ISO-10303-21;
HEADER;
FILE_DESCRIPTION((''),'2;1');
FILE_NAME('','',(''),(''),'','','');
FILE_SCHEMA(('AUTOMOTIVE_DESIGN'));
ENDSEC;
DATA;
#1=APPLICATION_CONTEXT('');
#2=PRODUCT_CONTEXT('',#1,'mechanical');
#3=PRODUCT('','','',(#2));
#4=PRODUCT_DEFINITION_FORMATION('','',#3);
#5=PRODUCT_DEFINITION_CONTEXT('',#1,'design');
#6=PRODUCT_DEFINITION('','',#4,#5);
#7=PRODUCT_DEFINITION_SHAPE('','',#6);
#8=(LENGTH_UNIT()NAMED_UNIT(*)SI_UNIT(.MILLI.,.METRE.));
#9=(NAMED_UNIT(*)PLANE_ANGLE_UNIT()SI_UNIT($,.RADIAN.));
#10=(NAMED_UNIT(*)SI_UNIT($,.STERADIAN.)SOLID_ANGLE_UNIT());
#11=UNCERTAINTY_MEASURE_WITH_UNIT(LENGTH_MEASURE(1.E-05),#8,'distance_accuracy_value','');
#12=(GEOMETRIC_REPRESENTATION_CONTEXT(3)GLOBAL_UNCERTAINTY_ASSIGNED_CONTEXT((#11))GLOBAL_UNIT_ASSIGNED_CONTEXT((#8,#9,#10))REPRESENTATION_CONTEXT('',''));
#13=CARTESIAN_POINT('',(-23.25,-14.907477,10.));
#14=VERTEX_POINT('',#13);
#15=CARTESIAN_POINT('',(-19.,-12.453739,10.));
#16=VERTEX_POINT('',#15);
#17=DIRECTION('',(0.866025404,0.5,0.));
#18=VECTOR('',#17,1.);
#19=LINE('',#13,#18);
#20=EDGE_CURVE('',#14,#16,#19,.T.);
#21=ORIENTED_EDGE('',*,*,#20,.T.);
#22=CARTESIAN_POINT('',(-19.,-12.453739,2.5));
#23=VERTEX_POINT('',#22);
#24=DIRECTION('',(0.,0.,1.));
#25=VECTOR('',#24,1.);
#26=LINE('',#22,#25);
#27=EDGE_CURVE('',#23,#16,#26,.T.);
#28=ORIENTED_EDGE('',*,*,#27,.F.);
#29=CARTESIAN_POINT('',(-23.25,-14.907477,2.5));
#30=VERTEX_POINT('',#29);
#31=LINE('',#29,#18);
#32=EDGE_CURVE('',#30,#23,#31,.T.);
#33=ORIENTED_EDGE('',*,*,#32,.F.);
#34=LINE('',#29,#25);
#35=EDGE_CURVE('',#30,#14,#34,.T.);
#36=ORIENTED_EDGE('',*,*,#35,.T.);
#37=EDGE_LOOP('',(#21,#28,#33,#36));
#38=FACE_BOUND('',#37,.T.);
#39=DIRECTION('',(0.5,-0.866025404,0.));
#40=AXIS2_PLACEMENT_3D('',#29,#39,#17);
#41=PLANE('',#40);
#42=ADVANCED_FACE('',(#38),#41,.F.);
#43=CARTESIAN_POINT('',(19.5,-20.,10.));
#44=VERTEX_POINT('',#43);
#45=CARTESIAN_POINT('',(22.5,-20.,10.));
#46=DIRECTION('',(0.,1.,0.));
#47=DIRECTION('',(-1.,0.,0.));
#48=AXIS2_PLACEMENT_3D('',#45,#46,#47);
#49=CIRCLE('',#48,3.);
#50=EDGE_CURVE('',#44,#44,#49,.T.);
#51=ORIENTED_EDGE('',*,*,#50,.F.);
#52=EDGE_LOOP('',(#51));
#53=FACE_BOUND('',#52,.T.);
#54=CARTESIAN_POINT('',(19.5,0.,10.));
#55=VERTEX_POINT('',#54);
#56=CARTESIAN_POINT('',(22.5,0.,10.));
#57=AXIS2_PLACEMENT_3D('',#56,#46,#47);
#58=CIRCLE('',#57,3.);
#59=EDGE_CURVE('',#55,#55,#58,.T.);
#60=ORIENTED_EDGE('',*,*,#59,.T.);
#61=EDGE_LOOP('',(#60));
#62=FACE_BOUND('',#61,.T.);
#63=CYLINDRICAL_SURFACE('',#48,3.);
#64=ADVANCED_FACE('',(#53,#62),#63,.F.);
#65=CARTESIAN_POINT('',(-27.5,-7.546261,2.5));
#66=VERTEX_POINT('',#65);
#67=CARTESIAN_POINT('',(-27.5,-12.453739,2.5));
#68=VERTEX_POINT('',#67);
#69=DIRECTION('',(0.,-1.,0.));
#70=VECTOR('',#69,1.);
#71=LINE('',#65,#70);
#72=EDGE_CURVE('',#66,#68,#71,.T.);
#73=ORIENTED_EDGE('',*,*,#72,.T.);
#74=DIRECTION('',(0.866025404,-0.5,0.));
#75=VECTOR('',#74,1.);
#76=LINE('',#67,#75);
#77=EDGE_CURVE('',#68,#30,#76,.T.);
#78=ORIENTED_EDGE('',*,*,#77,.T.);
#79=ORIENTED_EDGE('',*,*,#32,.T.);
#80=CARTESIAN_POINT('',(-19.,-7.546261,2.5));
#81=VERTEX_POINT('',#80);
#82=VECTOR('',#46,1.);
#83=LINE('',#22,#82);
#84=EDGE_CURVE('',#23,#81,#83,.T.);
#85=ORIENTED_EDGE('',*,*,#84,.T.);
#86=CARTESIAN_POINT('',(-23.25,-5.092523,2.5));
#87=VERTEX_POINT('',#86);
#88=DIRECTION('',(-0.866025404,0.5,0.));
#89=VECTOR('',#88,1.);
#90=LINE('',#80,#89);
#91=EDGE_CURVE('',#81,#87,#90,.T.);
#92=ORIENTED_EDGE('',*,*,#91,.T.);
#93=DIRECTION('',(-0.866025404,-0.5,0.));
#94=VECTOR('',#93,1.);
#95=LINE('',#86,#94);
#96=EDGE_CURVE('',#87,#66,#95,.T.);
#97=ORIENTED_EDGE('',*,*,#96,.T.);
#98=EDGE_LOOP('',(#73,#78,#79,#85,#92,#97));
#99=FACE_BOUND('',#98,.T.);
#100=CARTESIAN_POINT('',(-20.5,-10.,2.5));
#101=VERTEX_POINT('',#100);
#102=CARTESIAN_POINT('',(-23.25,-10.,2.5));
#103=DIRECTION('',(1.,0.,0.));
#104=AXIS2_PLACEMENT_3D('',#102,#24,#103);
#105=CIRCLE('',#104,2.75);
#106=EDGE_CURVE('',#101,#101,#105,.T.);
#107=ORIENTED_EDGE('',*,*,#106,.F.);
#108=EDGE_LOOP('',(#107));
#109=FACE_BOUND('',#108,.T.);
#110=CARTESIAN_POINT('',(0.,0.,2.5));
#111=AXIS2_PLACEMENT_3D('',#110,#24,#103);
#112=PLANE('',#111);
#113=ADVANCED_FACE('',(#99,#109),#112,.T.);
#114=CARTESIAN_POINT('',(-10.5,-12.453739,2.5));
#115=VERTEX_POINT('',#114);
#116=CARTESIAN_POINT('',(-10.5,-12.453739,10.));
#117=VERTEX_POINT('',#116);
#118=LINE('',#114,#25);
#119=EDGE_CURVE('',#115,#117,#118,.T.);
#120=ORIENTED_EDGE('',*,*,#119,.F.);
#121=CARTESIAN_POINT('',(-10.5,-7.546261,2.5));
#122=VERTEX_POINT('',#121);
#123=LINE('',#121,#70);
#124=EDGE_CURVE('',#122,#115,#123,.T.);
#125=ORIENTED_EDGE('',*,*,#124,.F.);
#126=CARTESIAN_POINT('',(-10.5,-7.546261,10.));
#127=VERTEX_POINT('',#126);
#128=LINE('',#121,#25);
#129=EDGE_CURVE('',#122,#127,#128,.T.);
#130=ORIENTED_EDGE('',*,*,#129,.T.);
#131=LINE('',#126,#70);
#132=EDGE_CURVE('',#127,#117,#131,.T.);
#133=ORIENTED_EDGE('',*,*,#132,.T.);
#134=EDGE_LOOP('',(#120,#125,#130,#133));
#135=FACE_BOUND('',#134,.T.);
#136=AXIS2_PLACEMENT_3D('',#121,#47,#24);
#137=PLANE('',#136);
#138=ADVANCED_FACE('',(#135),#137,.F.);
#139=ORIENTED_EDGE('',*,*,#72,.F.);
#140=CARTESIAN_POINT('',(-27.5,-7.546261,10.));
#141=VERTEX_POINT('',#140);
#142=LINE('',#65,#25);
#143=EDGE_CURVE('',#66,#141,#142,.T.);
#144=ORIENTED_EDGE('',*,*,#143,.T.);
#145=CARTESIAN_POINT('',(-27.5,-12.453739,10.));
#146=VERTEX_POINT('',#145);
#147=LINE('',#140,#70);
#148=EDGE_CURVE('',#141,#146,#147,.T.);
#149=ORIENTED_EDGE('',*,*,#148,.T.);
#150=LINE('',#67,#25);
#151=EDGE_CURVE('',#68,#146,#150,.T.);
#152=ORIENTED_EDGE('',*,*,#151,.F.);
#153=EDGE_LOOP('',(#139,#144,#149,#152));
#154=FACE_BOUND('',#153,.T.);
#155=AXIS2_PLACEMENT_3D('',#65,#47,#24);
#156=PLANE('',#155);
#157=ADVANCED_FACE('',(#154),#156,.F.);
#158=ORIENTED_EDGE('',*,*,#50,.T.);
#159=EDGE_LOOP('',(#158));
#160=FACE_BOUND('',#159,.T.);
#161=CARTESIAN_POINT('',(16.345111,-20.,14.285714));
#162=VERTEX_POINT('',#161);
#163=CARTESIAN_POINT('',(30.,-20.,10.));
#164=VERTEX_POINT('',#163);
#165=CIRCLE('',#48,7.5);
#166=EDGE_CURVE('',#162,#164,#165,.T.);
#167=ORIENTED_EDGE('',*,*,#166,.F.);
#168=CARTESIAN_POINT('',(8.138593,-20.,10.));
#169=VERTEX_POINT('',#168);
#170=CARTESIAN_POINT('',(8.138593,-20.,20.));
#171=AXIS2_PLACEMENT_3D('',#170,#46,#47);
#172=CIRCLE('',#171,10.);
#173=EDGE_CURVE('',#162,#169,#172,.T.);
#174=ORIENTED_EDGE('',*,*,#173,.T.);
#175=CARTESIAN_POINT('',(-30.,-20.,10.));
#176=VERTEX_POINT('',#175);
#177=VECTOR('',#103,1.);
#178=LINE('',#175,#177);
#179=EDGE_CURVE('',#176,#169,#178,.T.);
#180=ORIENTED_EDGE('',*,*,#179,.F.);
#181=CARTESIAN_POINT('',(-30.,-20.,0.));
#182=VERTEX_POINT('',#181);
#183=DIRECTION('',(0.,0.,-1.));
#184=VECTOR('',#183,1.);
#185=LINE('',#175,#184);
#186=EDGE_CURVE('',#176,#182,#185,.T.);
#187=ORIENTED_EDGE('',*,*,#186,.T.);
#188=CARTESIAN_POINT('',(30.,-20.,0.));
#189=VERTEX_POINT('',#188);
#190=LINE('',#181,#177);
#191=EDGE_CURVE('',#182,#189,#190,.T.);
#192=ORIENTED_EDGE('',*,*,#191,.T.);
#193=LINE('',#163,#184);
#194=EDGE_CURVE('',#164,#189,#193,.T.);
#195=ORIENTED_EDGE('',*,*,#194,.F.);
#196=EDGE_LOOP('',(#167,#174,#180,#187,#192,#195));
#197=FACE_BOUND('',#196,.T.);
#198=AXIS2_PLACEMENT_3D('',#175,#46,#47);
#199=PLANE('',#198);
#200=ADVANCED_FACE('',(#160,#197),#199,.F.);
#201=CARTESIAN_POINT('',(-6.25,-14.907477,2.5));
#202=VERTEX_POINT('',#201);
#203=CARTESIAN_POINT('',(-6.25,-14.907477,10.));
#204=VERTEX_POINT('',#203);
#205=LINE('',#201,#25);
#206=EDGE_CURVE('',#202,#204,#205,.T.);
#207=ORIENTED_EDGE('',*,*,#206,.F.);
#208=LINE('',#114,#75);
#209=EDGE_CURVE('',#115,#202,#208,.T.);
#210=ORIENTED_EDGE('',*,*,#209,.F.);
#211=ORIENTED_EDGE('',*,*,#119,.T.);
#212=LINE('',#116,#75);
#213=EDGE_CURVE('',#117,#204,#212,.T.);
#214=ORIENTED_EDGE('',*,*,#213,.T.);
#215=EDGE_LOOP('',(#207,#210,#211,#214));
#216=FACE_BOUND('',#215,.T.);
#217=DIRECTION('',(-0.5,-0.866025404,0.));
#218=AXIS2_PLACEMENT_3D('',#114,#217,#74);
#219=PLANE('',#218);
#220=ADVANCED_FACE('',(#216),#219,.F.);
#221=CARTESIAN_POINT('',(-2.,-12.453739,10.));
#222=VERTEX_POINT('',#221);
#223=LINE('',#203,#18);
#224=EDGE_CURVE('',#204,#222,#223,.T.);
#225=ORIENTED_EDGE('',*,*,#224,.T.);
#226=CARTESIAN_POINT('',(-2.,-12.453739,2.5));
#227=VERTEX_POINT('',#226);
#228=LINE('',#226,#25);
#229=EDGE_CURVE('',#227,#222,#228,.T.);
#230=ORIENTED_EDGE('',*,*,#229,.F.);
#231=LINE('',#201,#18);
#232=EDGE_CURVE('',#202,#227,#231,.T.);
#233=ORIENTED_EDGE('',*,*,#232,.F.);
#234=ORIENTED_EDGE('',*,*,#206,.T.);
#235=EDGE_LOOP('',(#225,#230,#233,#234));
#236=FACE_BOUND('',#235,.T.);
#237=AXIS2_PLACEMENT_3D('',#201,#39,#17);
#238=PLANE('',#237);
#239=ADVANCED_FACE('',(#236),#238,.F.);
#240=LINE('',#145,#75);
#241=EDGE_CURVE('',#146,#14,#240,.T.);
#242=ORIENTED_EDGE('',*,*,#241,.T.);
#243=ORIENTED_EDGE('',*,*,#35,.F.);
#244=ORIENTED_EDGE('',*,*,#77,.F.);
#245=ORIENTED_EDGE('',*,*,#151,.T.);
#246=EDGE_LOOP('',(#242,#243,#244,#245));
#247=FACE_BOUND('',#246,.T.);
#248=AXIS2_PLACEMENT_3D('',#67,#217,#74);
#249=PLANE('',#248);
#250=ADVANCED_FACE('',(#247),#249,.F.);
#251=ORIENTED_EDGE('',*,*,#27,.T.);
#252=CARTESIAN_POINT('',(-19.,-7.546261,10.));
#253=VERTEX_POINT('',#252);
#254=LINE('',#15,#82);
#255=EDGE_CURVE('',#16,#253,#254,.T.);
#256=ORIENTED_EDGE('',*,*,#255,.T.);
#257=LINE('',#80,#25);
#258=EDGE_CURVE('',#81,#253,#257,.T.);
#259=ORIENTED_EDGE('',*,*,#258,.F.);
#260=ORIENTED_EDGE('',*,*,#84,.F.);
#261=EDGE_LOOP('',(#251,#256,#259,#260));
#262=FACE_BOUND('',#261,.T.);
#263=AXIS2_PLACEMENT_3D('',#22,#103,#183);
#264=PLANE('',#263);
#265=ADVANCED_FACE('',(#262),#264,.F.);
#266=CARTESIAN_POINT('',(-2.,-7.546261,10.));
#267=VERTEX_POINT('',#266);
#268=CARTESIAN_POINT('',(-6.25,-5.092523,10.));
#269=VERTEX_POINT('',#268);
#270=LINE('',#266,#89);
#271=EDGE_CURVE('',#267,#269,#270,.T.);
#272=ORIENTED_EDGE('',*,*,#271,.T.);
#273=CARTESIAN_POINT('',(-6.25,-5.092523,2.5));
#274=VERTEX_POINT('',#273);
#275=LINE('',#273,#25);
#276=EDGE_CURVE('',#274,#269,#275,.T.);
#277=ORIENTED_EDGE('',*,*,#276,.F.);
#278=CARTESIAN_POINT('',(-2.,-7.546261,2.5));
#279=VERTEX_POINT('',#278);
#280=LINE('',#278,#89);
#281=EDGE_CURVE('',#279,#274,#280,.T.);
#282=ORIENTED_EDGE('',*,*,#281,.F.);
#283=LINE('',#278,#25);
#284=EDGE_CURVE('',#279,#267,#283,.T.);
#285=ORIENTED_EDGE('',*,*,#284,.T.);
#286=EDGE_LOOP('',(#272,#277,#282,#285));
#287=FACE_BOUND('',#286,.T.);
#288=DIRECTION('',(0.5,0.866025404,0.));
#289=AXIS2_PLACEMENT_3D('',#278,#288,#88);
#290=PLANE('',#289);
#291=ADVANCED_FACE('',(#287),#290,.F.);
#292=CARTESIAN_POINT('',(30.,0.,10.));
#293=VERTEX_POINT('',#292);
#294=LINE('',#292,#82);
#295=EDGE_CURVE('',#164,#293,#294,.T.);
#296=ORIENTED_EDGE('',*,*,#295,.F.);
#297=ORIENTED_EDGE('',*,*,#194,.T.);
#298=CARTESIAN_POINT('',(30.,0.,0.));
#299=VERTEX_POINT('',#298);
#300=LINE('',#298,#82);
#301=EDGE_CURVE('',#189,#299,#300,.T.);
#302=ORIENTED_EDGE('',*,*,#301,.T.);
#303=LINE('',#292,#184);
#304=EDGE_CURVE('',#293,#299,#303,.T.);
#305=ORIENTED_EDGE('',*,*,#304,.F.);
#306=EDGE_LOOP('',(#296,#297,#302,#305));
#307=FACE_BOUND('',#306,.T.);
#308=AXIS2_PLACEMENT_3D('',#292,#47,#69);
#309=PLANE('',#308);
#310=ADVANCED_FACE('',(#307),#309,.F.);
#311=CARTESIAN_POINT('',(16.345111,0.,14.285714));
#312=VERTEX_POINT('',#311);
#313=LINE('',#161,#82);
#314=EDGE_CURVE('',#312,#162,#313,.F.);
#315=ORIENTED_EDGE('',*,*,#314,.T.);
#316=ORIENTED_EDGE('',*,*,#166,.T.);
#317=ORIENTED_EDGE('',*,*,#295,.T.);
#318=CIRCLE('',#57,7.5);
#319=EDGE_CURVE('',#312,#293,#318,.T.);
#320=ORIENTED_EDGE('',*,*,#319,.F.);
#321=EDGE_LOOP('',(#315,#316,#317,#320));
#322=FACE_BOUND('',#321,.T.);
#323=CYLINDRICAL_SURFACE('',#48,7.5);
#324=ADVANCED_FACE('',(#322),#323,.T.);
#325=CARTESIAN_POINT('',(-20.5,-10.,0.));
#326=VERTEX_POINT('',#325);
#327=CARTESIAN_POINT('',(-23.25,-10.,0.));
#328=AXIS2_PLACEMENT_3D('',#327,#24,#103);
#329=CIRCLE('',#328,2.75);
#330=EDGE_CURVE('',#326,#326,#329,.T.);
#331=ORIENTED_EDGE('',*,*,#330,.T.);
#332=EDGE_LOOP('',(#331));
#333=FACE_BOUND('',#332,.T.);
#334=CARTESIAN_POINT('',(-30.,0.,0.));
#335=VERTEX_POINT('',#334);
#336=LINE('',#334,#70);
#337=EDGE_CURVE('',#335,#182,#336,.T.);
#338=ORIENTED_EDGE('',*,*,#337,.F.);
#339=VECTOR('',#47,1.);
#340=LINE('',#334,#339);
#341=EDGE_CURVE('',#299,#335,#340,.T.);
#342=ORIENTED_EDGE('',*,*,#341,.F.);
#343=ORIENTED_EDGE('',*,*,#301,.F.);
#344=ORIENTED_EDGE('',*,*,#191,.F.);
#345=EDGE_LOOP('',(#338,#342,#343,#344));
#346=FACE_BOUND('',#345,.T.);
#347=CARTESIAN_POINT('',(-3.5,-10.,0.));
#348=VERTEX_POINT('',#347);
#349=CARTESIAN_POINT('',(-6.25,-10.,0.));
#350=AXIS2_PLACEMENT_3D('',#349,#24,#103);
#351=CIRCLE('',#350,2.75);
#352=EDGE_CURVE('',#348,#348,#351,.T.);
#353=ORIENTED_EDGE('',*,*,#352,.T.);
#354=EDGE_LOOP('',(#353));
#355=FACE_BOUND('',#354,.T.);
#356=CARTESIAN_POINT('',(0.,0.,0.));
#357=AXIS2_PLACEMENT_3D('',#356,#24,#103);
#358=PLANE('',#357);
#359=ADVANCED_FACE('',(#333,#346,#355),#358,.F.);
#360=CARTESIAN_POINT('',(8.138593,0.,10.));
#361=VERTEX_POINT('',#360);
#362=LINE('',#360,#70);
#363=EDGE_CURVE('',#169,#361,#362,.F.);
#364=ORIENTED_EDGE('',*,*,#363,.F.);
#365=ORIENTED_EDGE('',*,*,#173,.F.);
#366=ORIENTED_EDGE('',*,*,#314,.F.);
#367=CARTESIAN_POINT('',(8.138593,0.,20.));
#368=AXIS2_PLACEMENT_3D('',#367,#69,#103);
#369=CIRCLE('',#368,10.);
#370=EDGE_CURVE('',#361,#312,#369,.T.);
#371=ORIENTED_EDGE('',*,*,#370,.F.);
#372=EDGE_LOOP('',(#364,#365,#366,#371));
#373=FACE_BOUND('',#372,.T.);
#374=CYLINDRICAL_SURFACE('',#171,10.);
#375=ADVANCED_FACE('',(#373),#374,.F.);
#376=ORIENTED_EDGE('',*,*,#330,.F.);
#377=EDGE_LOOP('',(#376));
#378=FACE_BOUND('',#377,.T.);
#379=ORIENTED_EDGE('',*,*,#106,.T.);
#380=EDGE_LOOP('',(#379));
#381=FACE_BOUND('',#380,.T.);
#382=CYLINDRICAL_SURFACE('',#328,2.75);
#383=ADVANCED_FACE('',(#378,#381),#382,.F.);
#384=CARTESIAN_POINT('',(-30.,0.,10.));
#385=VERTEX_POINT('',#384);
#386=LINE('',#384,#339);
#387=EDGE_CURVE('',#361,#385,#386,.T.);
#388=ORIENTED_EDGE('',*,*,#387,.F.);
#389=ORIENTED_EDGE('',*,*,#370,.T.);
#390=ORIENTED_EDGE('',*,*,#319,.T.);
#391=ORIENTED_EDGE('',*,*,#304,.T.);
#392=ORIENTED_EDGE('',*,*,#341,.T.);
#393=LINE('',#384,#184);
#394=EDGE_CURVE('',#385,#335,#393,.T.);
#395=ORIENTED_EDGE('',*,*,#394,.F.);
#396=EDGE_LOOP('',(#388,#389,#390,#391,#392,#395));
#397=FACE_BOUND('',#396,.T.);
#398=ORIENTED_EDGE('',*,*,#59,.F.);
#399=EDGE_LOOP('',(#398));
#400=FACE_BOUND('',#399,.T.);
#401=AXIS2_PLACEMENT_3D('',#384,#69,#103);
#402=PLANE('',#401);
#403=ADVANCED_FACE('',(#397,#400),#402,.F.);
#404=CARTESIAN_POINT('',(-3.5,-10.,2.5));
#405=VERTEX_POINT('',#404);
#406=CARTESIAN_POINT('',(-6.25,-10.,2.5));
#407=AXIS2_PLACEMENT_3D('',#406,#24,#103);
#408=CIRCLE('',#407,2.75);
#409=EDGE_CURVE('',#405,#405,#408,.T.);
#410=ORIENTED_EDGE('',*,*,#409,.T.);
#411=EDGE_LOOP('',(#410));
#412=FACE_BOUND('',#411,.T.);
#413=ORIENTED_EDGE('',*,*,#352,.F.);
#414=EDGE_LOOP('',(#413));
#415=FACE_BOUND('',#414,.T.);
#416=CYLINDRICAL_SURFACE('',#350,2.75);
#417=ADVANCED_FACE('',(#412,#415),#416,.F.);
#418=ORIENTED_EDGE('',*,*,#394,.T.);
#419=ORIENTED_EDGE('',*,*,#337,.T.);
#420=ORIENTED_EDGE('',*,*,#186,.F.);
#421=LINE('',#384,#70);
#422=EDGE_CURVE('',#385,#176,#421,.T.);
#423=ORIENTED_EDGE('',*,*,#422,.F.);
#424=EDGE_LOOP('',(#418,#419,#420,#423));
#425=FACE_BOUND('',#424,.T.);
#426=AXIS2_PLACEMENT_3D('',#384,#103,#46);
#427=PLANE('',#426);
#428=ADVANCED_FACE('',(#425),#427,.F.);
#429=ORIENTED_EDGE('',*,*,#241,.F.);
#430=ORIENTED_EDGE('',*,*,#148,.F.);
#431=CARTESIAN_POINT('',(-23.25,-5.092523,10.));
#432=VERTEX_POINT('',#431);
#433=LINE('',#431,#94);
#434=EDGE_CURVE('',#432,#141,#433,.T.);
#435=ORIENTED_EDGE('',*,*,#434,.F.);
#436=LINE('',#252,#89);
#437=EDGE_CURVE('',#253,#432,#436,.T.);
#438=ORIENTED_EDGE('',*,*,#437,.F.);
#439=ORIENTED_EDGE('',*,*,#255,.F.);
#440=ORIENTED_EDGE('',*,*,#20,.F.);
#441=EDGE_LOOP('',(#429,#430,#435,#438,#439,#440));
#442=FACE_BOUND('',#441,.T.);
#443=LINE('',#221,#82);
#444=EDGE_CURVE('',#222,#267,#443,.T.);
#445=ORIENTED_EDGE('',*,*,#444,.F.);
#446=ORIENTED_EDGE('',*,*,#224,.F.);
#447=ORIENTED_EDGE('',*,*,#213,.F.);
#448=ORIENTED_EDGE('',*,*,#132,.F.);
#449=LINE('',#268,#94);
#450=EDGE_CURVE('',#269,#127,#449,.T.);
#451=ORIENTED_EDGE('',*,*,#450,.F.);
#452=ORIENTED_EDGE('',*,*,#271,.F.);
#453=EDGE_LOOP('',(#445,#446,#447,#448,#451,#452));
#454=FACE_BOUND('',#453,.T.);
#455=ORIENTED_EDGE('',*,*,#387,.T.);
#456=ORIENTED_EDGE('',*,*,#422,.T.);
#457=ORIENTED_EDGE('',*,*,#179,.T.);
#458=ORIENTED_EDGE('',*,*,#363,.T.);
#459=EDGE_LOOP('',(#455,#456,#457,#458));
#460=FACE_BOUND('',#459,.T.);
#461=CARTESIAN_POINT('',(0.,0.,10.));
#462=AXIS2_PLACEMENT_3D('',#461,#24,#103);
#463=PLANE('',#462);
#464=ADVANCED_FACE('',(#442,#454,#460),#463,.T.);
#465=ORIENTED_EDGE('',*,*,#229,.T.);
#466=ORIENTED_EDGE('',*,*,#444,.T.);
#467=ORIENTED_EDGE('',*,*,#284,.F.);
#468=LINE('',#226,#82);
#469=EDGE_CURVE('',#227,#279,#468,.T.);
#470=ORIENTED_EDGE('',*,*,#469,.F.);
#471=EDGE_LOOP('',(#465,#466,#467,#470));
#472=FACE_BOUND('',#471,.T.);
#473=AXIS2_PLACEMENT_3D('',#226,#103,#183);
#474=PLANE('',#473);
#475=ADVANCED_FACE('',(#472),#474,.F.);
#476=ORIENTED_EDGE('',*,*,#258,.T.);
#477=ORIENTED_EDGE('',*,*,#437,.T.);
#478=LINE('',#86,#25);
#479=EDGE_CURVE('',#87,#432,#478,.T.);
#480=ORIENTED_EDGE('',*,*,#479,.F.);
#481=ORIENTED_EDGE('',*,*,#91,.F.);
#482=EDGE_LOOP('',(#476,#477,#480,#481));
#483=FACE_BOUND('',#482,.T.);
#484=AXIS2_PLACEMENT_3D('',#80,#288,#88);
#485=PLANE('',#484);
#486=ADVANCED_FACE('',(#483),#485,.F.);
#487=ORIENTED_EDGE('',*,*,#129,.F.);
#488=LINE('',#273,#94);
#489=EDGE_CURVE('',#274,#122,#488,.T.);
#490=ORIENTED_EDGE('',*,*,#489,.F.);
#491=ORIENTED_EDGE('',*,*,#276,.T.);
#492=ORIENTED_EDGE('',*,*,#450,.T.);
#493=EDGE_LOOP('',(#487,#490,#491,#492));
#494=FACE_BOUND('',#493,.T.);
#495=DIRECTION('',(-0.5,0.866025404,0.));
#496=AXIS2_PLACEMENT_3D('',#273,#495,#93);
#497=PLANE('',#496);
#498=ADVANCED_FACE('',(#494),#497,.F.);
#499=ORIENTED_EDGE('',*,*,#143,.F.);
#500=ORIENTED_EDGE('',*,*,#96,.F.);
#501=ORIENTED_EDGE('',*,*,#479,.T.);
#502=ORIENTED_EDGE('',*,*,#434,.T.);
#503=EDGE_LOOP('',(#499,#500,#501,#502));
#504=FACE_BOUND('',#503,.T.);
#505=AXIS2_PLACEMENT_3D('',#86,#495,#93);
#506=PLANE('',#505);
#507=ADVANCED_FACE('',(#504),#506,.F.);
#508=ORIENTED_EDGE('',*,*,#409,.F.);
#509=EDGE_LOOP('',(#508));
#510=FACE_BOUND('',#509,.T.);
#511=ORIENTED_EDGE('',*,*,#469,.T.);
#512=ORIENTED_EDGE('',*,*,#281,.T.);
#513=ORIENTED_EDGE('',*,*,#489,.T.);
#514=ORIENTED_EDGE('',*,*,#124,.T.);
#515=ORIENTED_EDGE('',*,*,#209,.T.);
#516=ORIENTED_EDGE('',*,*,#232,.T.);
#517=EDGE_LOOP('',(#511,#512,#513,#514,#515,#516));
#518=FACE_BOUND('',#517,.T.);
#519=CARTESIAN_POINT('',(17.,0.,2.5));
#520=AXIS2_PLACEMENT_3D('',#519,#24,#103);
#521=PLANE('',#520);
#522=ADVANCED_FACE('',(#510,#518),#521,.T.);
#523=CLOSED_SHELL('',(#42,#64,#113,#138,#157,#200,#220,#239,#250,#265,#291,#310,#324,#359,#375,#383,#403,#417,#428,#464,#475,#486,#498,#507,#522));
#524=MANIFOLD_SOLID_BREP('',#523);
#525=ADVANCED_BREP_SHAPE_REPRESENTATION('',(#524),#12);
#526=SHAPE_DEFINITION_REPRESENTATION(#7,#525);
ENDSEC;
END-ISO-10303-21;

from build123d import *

# Parameters (mm, degrees)
SKETCH1_W           = 60
SKETCH1_H           = 20
BOSS_EXTRUDE1_DEPTH = 10
CUT_EXTRUDE1_DEPTH  = 7.5
SKETCH5_R           = 2.75
CUT_EXTRUDE3_DEPTH  = 37.827299657
LPATTERN1_COUNT     = 2
LPATTERN1_PITCH     = 17
SKETCH3_R           = 7.5
BOSS_EXTRUDE2_DEPTH = 20
SKETCH4_R           = 3
CUT_EXTRUDE2_DEPTH  = 41.078048855
FILLET1_R           = 10


with BuildPart() as part:
    # Sketch1 → Boss-Extrude1 (new body)
    with BuildSketch(Plane.XY):
        with Locations((0, -10)):
            Rectangle(SKETCH1_W, SKETCH1_H)
    extrude(amount=BOSS_EXTRUDE1_DEPTH)

    # Sketch2 → Cut-Extrude1 (cut)
    with BuildSketch(Plane.XY.offset(10)):
        Polygon((-23.25, -14.907477288), (-19, -12.453738644), (-19, -7.546261356), (-23.25, -5.092522712), (-27.5, -7.546261356), (-27.5, -12.453738644), align=None)
    cut_extrude1 = extrude(amount=-CUT_EXTRUDE1_DEPTH, mode=Mode.SUBTRACT)

    # Sketch5 → Cut-Extrude3 (cut, through all)
    with BuildSketch(Plane.XY.offset(2.5)):
        with Locations((-23.25, -10)):
            Circle(SKETCH5_R)
    cut_extrude3 = extrude(amount=-CUT_EXTRUDE3_DEPTH, mode=Mode.SUBTRACT)

    # LPattern1: Cut-Extrude1, Cut-Extrude3 ×2
    with Locations(*[(i * LPATTERN1_PITCH, 0, 0) for i in range(1, LPATTERN1_COUNT)]):
        add(cut_extrude1, mode=Mode.SUBTRACT)
        add(cut_extrude3, mode=Mode.SUBTRACT)

    # Sketch3 → Boss-Extrude2 (add, through all)
    with BuildSketch(Plane(origin=(0, 0, 0), x_dir=(1, 0, 0), z_dir=(0, 1, 0))):
        with Locations((22.5, -10)):
            Circle(SKETCH3_R)
    extrude(amount=-BOSS_EXTRUDE2_DEPTH)

    # Sketch4 → Cut-Extrude2 (cut, through all)
    with BuildSketch(Plane(origin=(0, 0, 0), x_dir=(1, 0, 0), z_dir=(0, 1, 0))):
        with Locations(Location((22.5, -10, 0), (0, 0, 180))):
            Circle(SKETCH4_R)
    extrude(amount=-CUT_EXTRUDE2_DEPTH, mode=Mode.SUBTRACT)

    # Fillet1
    fillet1_edges = [part.edges().sort_by_distance(p)[0] for p in [
        (15, -10, 10),
    ]]
    fillet(fillet1_edges, radius=FILLET1_R)


solid = part.part
